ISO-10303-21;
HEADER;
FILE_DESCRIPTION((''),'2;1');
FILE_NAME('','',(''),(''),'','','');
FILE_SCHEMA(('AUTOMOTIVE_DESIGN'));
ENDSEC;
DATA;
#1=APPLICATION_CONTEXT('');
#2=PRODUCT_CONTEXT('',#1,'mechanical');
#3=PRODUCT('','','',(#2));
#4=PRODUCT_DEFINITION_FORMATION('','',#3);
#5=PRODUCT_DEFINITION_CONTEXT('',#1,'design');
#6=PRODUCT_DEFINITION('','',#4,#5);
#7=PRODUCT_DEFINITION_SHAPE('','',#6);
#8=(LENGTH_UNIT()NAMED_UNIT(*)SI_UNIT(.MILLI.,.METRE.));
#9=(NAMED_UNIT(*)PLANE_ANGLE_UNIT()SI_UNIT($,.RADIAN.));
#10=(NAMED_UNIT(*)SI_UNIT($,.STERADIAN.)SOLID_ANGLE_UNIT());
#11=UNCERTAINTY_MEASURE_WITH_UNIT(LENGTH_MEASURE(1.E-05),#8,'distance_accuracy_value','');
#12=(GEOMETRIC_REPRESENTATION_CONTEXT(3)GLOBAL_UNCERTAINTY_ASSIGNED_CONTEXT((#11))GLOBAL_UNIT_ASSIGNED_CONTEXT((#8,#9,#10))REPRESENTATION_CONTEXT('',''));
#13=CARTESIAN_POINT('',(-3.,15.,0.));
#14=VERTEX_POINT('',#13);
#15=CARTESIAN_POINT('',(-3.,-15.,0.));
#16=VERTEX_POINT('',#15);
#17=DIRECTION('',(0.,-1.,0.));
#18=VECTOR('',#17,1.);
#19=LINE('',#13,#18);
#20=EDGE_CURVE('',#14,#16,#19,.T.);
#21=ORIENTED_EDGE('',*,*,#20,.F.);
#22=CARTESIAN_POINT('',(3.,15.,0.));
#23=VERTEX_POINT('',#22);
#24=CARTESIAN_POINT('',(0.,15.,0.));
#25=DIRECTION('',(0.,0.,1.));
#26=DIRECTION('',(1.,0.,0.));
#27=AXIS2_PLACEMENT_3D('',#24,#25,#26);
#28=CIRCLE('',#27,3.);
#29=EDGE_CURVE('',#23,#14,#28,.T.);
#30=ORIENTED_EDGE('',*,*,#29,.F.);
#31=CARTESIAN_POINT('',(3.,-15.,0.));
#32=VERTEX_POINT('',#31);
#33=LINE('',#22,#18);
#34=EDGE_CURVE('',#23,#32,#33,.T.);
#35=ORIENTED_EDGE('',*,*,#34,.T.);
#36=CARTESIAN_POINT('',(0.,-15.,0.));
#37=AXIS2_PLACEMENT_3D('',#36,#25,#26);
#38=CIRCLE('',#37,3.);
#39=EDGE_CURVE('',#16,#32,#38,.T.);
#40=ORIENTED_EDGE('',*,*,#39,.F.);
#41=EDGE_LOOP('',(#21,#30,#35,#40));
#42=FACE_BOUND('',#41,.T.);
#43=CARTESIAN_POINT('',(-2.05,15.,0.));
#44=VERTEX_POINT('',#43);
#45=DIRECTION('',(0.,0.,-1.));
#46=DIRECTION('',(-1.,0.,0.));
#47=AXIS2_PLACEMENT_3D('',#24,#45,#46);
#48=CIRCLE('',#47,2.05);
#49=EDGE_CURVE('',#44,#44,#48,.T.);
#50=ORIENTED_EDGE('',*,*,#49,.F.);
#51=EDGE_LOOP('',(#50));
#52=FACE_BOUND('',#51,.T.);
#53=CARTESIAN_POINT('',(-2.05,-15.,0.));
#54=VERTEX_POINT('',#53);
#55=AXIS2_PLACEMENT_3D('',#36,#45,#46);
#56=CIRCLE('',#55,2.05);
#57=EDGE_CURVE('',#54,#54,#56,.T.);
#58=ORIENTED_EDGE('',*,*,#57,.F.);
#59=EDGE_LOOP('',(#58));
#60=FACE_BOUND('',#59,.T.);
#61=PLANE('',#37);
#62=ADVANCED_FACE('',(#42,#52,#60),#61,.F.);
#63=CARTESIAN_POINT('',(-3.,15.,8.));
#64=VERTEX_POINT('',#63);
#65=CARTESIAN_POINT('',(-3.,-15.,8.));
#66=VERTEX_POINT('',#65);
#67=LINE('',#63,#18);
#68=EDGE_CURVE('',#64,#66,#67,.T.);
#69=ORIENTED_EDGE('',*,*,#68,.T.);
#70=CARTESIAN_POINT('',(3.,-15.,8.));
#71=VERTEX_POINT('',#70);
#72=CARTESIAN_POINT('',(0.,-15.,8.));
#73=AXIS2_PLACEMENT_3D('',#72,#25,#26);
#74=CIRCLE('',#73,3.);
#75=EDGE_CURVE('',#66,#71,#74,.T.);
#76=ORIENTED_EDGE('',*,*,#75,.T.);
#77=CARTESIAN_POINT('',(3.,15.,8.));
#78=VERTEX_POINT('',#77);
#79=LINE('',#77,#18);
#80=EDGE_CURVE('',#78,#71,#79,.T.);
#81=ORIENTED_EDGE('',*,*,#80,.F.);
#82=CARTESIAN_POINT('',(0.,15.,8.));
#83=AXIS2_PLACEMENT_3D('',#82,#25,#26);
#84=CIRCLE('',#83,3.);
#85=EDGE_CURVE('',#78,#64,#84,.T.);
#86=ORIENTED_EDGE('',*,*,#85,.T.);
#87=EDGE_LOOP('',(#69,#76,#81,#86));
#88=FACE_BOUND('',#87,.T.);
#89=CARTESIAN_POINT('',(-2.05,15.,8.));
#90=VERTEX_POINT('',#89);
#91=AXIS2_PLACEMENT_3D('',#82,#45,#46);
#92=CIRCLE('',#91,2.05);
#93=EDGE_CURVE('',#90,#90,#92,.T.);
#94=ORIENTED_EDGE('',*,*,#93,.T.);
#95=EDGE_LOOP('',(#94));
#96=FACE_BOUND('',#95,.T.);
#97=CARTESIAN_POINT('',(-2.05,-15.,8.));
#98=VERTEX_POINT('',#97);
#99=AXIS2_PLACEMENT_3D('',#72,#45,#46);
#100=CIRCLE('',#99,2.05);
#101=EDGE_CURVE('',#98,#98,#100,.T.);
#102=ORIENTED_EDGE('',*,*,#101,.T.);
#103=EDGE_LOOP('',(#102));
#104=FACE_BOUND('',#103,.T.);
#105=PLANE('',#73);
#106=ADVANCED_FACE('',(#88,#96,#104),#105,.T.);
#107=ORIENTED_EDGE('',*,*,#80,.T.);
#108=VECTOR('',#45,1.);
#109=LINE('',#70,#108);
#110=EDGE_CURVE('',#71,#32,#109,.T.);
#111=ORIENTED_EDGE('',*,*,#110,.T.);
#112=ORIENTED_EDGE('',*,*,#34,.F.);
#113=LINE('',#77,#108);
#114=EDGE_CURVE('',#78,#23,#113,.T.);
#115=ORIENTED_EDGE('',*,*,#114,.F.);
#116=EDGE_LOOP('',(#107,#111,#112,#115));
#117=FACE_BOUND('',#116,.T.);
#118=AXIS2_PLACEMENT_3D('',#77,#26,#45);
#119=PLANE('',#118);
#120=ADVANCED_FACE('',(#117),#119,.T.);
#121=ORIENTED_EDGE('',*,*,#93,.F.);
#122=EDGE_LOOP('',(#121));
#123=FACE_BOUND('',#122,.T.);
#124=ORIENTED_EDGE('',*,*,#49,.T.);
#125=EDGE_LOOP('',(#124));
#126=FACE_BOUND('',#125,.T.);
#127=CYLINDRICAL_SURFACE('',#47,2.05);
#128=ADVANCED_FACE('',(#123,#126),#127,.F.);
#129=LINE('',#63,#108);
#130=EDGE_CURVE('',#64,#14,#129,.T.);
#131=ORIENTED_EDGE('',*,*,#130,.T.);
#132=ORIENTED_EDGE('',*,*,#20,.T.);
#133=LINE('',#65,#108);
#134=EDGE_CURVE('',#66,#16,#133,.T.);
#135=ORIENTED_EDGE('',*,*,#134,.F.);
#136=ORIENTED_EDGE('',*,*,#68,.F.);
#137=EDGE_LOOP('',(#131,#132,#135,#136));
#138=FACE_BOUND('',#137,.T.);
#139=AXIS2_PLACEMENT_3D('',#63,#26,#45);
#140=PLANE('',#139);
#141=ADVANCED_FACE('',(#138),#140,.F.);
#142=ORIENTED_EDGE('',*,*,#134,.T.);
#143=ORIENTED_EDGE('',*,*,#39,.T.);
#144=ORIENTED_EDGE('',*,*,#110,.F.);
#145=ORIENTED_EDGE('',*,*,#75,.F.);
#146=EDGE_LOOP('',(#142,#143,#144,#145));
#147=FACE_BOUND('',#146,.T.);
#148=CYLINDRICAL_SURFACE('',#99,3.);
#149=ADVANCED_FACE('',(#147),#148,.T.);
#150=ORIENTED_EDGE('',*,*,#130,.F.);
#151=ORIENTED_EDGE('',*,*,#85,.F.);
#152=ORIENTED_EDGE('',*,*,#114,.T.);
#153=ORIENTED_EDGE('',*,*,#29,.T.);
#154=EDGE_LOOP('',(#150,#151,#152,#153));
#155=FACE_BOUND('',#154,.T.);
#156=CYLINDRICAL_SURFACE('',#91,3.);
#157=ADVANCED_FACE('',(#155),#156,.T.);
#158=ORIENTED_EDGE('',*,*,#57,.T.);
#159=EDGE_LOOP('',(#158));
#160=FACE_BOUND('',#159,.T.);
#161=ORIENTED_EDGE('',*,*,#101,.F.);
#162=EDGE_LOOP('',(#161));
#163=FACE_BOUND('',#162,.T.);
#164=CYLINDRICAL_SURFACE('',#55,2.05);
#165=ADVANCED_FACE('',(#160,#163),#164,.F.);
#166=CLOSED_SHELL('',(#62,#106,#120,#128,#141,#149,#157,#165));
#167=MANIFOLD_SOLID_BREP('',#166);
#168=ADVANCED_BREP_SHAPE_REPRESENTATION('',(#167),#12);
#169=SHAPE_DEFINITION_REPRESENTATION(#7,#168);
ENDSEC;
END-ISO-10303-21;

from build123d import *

# Parameters (mm, degrees)
BOSS_EXTRUDE1_DEPTH     = 8
F_4_0_MM_DOWEL_HOLES1_D = 4.1


with BuildPart() as part:
    # Sketch1 → Boss-Extrude1 (new body)
    with BuildSketch(Plane.XY):
        with BuildLine():
            Line((-3, 15), (-3, -15))
            ThreePointArc((-3, -15), (0, -18), (3, -15))
            Line((3, -15), (3, 15))
            ThreePointArc((3, 15), (0, 18), (-3, 15))
        make_face()
    extrude(amount=BOSS_EXTRUDE1_DEPTH)

    # Ø4.0 mm Dowel Holes1 (through all)
    with Locations(Plane(origin=(0, 0, 0), x_dir=(-1, 0, 0), z_dir=(0, 0, -1))):
        with Locations((0, 15)):
            f_4_0_mm_dowel_holes1 = Hole(F_4_0_MM_DOWEL_HOLES1_D / 2)

    # Mirror1: Ø4.0 mm Dowel Holes1 across plane
    add(f_4_0_mm_dowel_holes1.mirror(Plane.ZX), mode=Mode.SUBTRACT)


solid = part.part
